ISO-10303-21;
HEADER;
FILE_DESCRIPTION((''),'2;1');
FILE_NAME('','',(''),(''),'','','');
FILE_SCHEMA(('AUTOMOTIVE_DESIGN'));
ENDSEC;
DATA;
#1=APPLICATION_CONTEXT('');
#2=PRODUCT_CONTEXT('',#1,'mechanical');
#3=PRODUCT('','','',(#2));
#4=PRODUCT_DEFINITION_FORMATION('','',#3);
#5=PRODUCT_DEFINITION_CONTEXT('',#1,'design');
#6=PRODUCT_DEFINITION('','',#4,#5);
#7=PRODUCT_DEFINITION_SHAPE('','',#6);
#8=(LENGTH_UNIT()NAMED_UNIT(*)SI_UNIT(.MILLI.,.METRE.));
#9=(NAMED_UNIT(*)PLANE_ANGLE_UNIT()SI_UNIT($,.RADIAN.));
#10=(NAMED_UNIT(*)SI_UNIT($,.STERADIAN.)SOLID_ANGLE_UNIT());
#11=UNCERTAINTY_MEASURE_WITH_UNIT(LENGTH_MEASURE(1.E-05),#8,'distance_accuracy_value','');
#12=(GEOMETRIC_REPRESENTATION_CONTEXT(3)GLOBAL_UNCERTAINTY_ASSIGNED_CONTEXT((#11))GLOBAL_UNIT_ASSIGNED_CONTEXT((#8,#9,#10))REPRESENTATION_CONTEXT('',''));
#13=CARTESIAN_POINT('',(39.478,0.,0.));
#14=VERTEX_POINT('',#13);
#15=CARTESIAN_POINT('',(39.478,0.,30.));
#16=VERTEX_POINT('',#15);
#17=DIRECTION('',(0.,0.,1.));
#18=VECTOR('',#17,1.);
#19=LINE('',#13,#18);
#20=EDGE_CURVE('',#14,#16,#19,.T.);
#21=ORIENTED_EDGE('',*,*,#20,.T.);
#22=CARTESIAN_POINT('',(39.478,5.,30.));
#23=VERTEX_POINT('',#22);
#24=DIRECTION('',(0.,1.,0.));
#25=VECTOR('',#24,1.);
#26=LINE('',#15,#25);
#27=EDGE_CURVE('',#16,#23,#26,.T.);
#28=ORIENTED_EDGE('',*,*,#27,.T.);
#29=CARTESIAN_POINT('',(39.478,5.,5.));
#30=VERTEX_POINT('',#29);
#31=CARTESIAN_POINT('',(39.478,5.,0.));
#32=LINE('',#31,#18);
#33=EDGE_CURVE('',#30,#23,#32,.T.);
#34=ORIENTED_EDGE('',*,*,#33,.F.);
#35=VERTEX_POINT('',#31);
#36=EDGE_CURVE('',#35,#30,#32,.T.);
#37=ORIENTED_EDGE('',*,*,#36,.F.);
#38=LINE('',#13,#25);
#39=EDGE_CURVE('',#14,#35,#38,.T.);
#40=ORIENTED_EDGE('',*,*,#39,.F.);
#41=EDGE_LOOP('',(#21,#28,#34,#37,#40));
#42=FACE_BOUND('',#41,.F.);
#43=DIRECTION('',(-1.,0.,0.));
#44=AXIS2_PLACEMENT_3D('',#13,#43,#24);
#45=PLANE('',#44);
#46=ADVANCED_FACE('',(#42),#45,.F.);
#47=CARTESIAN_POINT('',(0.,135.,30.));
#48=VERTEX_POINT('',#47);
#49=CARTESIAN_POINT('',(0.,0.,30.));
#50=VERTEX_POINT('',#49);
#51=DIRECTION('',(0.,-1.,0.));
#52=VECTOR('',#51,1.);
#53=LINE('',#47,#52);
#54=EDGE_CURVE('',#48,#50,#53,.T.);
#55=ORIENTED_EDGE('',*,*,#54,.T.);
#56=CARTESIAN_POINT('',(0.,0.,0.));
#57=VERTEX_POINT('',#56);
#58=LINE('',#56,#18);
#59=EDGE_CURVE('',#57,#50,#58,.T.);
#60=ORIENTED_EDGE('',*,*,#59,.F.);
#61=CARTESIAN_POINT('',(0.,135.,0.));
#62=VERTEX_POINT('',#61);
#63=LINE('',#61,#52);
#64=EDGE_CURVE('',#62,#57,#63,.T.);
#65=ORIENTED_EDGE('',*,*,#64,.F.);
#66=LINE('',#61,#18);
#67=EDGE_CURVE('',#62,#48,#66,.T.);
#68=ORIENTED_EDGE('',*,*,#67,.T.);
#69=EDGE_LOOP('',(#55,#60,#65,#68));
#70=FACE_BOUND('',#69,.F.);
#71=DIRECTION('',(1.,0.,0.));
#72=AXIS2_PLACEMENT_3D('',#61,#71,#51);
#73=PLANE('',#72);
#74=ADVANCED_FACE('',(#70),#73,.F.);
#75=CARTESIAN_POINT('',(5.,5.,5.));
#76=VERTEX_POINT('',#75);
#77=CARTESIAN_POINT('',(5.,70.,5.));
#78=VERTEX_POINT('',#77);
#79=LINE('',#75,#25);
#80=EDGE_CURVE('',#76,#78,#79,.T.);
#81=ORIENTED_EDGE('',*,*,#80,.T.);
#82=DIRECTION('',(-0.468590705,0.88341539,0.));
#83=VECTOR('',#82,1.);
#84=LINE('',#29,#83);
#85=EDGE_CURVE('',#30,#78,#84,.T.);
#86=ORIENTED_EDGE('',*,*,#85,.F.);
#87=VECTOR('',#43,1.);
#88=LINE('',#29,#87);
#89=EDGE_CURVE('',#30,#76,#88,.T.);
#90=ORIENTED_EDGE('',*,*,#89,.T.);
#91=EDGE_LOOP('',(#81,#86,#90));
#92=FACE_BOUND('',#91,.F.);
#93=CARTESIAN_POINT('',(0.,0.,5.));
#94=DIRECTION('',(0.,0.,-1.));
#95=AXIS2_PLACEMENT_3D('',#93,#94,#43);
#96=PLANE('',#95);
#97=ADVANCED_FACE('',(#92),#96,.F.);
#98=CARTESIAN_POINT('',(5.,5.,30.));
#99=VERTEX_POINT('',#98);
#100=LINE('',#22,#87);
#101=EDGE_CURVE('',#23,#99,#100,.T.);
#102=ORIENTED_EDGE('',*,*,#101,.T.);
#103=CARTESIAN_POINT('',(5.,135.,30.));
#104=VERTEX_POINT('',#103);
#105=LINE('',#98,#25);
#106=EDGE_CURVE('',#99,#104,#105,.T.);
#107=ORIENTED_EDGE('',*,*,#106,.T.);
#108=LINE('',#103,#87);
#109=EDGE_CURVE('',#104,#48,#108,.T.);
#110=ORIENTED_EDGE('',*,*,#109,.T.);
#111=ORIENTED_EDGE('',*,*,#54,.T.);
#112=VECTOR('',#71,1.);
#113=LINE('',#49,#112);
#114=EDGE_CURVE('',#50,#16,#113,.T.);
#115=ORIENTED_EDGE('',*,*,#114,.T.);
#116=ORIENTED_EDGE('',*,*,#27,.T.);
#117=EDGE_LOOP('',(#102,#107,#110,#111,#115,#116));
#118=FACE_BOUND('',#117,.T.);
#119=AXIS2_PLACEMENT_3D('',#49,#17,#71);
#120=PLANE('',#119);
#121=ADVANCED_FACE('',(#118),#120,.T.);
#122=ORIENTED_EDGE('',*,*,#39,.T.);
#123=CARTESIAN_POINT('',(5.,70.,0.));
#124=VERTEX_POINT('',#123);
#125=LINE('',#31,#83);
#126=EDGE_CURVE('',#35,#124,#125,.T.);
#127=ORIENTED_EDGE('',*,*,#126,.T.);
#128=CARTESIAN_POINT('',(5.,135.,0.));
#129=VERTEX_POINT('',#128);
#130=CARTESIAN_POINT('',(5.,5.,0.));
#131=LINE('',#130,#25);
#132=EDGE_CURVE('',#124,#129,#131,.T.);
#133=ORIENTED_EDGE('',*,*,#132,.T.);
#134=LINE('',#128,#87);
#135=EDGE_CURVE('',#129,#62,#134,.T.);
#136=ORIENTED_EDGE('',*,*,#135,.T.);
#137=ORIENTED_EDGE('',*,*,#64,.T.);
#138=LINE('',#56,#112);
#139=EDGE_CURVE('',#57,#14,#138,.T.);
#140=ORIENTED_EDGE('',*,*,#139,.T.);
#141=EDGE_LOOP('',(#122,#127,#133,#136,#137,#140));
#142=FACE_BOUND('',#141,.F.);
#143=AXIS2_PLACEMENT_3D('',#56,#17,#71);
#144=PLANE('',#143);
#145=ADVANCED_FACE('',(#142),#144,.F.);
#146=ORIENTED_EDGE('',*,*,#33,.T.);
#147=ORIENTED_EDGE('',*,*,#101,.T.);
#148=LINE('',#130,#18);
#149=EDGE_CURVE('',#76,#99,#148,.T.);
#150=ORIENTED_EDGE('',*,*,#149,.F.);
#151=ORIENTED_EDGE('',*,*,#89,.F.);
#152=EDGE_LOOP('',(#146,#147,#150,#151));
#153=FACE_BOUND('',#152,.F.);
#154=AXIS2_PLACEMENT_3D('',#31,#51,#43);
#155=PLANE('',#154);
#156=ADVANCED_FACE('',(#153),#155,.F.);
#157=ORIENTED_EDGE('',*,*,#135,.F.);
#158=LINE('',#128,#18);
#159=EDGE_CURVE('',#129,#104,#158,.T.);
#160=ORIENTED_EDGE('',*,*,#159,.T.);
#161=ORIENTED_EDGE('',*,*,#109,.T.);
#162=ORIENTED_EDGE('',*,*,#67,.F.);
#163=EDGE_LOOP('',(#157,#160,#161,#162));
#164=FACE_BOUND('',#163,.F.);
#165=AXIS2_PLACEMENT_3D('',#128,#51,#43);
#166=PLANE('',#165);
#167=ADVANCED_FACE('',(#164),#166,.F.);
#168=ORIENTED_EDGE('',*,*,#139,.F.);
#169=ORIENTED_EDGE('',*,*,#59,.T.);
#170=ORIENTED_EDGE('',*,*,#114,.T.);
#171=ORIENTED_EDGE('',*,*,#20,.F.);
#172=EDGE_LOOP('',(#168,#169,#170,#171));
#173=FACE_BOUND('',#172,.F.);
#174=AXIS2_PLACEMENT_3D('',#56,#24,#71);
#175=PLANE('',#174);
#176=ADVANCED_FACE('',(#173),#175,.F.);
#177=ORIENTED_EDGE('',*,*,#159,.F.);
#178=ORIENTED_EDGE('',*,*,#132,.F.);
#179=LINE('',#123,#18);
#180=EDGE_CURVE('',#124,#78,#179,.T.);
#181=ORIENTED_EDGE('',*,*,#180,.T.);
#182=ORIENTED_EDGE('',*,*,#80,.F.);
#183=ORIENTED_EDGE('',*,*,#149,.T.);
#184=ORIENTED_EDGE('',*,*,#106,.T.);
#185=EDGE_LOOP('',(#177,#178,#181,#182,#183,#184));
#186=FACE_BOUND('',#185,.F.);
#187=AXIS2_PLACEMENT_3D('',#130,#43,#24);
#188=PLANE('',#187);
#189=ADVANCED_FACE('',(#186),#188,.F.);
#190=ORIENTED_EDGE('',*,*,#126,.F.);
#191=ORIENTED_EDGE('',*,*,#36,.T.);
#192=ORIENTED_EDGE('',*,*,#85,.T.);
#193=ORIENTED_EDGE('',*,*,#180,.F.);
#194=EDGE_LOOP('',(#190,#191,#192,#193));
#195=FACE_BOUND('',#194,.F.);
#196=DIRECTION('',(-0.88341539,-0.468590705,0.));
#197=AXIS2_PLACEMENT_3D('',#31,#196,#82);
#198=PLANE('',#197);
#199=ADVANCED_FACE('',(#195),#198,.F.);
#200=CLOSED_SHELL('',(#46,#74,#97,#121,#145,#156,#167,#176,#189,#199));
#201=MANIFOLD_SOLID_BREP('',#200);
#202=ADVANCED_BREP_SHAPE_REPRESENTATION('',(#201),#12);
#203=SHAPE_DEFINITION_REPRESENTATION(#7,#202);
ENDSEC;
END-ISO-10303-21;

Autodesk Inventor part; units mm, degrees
ref_plane "YZ Plane" through (0, 0, 0) normal (1, 0, 0) x (0, 1, 0)
ref_plane "XZ Plane" through (0, 0, 0) normal (0, 1, 0) x (-1, 0, 0)
ref_plane "XY Plane" through (0, 0, 0) normal (0, 0, 1) x (1, 0, 0)
sketch "Skizze1" plane through (0, 0, 0) normal (0, 0, 1) x (1, 0, 0)
  line L0 (0, 135) -> (0, 0)
  line L1 (0, 0) -> (39.478, 0)
  line L2 (39.478, 0) -> (39.478, 5)
  line L3 (39.478, 5) -> (5, 5)
  line L4 (5, 5) -> (5, 135)
  line L5 (5, 135) -> (0, 135)
  dimension "d0" = 39.478
  dimension "d1" = 5
  dimension "d2" = 135
  dimension "d5" = 5
extrude "Extrusion1" add sketch "Skizze1" along normal blind 30
sketch "Skizze2" plane through (0, 0, 0) normal (0, 0, -1) x (-1, 0, 0)
  line L0 (-5, 5) -> (-5, 135) projected
  line L1 (-39.478, 5) -> (-5, 5) projected
  line L2 (-39.478, 5) -> (-5, 70)
  point P0 (0, 0)
extrude "Extrusion2" add sketch "Skizze2" against normal blind 5
properties part number "Mounting_ID6_Support"
